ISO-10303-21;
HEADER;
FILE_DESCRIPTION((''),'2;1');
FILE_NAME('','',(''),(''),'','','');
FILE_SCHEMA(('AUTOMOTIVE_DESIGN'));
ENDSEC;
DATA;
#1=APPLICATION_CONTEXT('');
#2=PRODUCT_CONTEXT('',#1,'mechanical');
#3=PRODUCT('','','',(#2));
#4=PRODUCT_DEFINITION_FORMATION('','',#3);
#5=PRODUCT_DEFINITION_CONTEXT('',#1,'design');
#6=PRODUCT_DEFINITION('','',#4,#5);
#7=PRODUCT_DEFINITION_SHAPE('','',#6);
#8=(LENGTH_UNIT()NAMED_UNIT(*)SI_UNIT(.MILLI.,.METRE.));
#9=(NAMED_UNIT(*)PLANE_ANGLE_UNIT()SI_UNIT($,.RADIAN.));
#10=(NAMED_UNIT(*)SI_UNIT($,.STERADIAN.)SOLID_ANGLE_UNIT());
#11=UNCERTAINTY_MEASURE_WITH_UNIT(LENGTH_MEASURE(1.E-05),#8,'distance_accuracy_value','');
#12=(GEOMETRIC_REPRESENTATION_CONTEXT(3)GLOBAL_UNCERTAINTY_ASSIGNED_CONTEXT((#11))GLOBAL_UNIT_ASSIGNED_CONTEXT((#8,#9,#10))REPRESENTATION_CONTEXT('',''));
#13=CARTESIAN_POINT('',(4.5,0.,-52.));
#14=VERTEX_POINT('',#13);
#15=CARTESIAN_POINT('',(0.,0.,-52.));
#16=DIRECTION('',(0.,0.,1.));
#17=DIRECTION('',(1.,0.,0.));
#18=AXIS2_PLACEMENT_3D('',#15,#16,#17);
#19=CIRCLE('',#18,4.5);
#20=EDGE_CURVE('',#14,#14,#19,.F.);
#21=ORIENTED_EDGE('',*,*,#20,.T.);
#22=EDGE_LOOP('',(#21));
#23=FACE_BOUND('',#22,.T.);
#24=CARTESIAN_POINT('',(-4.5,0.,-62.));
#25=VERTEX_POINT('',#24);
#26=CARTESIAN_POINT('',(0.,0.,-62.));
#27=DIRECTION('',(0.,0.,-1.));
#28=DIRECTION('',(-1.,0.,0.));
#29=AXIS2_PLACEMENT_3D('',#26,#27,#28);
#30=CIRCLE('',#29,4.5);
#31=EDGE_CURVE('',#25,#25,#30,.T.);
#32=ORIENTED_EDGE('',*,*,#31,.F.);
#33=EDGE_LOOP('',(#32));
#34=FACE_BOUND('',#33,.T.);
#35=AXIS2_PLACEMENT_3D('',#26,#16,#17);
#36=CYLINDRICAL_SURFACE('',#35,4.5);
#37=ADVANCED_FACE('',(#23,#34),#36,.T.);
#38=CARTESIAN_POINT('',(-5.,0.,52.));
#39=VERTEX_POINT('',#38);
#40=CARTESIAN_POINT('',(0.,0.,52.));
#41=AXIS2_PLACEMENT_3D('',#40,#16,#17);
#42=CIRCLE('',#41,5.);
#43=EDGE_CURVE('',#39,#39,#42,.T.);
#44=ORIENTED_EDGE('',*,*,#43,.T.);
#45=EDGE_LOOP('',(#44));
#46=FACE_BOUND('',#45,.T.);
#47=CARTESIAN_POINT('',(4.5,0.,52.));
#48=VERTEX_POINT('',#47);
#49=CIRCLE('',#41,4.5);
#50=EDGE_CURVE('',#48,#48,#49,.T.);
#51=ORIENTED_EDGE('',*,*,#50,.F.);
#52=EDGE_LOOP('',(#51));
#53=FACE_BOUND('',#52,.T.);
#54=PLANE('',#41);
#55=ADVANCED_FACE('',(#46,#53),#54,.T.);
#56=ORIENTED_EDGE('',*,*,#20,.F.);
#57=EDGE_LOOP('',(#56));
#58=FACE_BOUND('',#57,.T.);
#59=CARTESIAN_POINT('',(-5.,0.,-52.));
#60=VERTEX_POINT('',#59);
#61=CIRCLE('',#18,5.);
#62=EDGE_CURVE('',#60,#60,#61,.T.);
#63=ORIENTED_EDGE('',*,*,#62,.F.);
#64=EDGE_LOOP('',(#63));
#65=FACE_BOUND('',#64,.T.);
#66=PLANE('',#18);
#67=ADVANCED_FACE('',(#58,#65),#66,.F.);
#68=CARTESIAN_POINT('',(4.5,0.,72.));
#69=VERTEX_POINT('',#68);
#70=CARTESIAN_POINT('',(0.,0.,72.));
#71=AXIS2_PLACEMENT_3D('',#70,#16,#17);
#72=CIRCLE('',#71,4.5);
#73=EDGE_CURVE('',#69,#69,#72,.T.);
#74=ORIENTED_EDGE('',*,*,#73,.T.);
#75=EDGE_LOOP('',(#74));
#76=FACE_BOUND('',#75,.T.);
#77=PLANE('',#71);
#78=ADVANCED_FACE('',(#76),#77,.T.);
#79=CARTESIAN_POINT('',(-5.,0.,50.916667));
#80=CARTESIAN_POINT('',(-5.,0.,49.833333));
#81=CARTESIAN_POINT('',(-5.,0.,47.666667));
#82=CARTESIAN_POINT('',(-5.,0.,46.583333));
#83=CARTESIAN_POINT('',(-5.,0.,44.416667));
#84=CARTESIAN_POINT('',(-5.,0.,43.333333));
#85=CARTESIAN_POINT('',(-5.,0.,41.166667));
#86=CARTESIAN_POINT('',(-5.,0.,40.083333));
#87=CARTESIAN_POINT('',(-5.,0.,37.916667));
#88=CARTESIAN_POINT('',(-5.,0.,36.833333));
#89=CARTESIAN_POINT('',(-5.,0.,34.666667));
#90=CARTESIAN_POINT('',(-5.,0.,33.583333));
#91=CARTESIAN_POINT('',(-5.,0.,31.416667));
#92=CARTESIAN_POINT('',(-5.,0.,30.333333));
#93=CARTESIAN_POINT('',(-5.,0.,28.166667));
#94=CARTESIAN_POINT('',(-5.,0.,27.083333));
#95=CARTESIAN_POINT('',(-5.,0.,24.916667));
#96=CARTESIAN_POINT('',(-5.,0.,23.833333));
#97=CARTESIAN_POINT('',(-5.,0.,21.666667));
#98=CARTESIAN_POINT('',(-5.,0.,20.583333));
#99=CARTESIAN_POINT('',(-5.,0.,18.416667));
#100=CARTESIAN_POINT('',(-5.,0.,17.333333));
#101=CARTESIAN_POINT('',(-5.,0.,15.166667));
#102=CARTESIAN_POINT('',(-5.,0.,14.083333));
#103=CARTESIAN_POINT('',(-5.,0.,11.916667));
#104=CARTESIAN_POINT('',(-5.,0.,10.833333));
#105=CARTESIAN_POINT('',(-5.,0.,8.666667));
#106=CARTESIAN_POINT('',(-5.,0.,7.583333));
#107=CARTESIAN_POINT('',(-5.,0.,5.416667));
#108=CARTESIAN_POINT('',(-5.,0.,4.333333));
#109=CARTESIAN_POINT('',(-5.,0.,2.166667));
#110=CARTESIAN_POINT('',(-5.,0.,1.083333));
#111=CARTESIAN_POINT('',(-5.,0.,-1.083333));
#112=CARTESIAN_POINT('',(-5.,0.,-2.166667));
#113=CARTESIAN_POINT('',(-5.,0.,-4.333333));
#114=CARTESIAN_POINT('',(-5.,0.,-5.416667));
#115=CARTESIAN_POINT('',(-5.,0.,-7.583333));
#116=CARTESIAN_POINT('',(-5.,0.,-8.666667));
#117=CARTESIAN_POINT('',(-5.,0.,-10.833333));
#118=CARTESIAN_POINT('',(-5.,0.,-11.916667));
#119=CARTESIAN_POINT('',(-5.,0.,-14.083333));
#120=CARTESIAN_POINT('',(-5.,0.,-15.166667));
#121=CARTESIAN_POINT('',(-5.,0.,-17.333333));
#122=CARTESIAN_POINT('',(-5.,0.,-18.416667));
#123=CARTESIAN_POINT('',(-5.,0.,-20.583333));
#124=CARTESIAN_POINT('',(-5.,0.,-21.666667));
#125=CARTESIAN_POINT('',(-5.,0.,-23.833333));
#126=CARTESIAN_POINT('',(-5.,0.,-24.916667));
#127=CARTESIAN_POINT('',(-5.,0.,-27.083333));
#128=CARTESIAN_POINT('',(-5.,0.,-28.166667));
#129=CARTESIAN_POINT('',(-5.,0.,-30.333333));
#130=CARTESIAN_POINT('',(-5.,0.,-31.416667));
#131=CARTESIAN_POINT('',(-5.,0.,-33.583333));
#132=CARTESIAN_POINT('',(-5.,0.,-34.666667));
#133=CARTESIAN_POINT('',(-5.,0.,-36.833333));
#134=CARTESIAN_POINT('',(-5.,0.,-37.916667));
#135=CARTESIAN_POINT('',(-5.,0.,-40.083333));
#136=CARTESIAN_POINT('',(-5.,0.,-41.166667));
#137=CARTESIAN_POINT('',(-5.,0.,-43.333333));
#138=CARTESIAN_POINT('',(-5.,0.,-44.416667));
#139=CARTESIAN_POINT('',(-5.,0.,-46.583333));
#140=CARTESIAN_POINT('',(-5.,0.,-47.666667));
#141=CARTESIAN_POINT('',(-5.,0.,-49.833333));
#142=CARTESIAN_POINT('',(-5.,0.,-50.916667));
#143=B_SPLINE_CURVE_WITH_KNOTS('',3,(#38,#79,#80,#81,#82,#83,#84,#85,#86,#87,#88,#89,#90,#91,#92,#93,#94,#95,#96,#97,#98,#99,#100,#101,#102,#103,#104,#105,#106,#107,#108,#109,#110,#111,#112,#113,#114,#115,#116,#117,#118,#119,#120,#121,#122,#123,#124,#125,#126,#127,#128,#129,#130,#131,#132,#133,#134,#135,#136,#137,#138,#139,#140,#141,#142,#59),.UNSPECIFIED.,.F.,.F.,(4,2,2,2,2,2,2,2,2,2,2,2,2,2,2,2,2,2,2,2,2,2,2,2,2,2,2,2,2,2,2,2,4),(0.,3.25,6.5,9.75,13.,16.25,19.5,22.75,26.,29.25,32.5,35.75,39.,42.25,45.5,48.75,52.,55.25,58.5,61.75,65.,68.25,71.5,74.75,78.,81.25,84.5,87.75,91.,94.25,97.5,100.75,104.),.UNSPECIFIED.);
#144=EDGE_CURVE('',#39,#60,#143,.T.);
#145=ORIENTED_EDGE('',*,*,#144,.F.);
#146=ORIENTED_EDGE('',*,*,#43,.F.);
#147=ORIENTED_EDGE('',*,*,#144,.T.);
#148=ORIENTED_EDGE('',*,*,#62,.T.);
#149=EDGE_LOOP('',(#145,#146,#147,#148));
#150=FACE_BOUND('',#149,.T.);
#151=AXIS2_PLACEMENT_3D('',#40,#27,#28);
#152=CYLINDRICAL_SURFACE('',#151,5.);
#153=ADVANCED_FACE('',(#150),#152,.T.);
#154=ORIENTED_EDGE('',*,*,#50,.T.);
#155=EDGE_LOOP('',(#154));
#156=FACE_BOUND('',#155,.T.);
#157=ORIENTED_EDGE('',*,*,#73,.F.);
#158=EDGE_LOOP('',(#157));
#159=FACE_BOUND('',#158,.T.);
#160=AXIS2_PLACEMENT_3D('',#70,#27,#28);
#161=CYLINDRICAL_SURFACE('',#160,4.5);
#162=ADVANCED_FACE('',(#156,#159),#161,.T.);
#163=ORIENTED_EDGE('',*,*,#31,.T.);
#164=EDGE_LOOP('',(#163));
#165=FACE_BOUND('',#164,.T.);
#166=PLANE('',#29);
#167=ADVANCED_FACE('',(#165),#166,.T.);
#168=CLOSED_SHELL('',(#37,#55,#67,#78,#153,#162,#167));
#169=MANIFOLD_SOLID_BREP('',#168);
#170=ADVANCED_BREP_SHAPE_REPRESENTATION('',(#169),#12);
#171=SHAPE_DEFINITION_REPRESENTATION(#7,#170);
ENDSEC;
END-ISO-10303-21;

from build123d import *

# Parameters (mm, degrees)
SKETCH_1_R      = 5
EXTRUDE_1_DEPTH = 52
SKETCH_2_R      = 4.5
EXTRUDE_2_DEPTH = 10
EXTRUDE_START   = 20
SKETCH_3_R      = 4.5
EXTRUDE_3_DEPTH = 20


with BuildPart() as part:
    # 草图1 → 凸台-拉伸1 (new, symmetric)
    with BuildSketch(Plane.XY):
        with Locations(Location((0, 0, 0), (0, 0, 180))):
            Circle(SKETCH_1_R)
    extrude(amount=EXTRUDE_1_DEPTH, both=True)

    # 草图2 → 凸台-拉伸2 (add)
    with BuildSketch(Plane(origin=(0, 0, -52), x_dir=(-1, 0, 0), z_dir=(0, 0, -1))):
        with Locations(Location((0, 0, 0), (0, 0, 180))):
            Circle(SKETCH_2_R)
    extrude(amount=EXTRUDE_2_DEPTH)

    # 草图3 → 凸台-拉伸3 (add)
    with BuildSketch(Plane.XY.offset(52).offset(EXTRUDE_START)):
        Circle(SKETCH_3_R)
    extrude(amount=-EXTRUDE_3_DEPTH)


solid = part.part
